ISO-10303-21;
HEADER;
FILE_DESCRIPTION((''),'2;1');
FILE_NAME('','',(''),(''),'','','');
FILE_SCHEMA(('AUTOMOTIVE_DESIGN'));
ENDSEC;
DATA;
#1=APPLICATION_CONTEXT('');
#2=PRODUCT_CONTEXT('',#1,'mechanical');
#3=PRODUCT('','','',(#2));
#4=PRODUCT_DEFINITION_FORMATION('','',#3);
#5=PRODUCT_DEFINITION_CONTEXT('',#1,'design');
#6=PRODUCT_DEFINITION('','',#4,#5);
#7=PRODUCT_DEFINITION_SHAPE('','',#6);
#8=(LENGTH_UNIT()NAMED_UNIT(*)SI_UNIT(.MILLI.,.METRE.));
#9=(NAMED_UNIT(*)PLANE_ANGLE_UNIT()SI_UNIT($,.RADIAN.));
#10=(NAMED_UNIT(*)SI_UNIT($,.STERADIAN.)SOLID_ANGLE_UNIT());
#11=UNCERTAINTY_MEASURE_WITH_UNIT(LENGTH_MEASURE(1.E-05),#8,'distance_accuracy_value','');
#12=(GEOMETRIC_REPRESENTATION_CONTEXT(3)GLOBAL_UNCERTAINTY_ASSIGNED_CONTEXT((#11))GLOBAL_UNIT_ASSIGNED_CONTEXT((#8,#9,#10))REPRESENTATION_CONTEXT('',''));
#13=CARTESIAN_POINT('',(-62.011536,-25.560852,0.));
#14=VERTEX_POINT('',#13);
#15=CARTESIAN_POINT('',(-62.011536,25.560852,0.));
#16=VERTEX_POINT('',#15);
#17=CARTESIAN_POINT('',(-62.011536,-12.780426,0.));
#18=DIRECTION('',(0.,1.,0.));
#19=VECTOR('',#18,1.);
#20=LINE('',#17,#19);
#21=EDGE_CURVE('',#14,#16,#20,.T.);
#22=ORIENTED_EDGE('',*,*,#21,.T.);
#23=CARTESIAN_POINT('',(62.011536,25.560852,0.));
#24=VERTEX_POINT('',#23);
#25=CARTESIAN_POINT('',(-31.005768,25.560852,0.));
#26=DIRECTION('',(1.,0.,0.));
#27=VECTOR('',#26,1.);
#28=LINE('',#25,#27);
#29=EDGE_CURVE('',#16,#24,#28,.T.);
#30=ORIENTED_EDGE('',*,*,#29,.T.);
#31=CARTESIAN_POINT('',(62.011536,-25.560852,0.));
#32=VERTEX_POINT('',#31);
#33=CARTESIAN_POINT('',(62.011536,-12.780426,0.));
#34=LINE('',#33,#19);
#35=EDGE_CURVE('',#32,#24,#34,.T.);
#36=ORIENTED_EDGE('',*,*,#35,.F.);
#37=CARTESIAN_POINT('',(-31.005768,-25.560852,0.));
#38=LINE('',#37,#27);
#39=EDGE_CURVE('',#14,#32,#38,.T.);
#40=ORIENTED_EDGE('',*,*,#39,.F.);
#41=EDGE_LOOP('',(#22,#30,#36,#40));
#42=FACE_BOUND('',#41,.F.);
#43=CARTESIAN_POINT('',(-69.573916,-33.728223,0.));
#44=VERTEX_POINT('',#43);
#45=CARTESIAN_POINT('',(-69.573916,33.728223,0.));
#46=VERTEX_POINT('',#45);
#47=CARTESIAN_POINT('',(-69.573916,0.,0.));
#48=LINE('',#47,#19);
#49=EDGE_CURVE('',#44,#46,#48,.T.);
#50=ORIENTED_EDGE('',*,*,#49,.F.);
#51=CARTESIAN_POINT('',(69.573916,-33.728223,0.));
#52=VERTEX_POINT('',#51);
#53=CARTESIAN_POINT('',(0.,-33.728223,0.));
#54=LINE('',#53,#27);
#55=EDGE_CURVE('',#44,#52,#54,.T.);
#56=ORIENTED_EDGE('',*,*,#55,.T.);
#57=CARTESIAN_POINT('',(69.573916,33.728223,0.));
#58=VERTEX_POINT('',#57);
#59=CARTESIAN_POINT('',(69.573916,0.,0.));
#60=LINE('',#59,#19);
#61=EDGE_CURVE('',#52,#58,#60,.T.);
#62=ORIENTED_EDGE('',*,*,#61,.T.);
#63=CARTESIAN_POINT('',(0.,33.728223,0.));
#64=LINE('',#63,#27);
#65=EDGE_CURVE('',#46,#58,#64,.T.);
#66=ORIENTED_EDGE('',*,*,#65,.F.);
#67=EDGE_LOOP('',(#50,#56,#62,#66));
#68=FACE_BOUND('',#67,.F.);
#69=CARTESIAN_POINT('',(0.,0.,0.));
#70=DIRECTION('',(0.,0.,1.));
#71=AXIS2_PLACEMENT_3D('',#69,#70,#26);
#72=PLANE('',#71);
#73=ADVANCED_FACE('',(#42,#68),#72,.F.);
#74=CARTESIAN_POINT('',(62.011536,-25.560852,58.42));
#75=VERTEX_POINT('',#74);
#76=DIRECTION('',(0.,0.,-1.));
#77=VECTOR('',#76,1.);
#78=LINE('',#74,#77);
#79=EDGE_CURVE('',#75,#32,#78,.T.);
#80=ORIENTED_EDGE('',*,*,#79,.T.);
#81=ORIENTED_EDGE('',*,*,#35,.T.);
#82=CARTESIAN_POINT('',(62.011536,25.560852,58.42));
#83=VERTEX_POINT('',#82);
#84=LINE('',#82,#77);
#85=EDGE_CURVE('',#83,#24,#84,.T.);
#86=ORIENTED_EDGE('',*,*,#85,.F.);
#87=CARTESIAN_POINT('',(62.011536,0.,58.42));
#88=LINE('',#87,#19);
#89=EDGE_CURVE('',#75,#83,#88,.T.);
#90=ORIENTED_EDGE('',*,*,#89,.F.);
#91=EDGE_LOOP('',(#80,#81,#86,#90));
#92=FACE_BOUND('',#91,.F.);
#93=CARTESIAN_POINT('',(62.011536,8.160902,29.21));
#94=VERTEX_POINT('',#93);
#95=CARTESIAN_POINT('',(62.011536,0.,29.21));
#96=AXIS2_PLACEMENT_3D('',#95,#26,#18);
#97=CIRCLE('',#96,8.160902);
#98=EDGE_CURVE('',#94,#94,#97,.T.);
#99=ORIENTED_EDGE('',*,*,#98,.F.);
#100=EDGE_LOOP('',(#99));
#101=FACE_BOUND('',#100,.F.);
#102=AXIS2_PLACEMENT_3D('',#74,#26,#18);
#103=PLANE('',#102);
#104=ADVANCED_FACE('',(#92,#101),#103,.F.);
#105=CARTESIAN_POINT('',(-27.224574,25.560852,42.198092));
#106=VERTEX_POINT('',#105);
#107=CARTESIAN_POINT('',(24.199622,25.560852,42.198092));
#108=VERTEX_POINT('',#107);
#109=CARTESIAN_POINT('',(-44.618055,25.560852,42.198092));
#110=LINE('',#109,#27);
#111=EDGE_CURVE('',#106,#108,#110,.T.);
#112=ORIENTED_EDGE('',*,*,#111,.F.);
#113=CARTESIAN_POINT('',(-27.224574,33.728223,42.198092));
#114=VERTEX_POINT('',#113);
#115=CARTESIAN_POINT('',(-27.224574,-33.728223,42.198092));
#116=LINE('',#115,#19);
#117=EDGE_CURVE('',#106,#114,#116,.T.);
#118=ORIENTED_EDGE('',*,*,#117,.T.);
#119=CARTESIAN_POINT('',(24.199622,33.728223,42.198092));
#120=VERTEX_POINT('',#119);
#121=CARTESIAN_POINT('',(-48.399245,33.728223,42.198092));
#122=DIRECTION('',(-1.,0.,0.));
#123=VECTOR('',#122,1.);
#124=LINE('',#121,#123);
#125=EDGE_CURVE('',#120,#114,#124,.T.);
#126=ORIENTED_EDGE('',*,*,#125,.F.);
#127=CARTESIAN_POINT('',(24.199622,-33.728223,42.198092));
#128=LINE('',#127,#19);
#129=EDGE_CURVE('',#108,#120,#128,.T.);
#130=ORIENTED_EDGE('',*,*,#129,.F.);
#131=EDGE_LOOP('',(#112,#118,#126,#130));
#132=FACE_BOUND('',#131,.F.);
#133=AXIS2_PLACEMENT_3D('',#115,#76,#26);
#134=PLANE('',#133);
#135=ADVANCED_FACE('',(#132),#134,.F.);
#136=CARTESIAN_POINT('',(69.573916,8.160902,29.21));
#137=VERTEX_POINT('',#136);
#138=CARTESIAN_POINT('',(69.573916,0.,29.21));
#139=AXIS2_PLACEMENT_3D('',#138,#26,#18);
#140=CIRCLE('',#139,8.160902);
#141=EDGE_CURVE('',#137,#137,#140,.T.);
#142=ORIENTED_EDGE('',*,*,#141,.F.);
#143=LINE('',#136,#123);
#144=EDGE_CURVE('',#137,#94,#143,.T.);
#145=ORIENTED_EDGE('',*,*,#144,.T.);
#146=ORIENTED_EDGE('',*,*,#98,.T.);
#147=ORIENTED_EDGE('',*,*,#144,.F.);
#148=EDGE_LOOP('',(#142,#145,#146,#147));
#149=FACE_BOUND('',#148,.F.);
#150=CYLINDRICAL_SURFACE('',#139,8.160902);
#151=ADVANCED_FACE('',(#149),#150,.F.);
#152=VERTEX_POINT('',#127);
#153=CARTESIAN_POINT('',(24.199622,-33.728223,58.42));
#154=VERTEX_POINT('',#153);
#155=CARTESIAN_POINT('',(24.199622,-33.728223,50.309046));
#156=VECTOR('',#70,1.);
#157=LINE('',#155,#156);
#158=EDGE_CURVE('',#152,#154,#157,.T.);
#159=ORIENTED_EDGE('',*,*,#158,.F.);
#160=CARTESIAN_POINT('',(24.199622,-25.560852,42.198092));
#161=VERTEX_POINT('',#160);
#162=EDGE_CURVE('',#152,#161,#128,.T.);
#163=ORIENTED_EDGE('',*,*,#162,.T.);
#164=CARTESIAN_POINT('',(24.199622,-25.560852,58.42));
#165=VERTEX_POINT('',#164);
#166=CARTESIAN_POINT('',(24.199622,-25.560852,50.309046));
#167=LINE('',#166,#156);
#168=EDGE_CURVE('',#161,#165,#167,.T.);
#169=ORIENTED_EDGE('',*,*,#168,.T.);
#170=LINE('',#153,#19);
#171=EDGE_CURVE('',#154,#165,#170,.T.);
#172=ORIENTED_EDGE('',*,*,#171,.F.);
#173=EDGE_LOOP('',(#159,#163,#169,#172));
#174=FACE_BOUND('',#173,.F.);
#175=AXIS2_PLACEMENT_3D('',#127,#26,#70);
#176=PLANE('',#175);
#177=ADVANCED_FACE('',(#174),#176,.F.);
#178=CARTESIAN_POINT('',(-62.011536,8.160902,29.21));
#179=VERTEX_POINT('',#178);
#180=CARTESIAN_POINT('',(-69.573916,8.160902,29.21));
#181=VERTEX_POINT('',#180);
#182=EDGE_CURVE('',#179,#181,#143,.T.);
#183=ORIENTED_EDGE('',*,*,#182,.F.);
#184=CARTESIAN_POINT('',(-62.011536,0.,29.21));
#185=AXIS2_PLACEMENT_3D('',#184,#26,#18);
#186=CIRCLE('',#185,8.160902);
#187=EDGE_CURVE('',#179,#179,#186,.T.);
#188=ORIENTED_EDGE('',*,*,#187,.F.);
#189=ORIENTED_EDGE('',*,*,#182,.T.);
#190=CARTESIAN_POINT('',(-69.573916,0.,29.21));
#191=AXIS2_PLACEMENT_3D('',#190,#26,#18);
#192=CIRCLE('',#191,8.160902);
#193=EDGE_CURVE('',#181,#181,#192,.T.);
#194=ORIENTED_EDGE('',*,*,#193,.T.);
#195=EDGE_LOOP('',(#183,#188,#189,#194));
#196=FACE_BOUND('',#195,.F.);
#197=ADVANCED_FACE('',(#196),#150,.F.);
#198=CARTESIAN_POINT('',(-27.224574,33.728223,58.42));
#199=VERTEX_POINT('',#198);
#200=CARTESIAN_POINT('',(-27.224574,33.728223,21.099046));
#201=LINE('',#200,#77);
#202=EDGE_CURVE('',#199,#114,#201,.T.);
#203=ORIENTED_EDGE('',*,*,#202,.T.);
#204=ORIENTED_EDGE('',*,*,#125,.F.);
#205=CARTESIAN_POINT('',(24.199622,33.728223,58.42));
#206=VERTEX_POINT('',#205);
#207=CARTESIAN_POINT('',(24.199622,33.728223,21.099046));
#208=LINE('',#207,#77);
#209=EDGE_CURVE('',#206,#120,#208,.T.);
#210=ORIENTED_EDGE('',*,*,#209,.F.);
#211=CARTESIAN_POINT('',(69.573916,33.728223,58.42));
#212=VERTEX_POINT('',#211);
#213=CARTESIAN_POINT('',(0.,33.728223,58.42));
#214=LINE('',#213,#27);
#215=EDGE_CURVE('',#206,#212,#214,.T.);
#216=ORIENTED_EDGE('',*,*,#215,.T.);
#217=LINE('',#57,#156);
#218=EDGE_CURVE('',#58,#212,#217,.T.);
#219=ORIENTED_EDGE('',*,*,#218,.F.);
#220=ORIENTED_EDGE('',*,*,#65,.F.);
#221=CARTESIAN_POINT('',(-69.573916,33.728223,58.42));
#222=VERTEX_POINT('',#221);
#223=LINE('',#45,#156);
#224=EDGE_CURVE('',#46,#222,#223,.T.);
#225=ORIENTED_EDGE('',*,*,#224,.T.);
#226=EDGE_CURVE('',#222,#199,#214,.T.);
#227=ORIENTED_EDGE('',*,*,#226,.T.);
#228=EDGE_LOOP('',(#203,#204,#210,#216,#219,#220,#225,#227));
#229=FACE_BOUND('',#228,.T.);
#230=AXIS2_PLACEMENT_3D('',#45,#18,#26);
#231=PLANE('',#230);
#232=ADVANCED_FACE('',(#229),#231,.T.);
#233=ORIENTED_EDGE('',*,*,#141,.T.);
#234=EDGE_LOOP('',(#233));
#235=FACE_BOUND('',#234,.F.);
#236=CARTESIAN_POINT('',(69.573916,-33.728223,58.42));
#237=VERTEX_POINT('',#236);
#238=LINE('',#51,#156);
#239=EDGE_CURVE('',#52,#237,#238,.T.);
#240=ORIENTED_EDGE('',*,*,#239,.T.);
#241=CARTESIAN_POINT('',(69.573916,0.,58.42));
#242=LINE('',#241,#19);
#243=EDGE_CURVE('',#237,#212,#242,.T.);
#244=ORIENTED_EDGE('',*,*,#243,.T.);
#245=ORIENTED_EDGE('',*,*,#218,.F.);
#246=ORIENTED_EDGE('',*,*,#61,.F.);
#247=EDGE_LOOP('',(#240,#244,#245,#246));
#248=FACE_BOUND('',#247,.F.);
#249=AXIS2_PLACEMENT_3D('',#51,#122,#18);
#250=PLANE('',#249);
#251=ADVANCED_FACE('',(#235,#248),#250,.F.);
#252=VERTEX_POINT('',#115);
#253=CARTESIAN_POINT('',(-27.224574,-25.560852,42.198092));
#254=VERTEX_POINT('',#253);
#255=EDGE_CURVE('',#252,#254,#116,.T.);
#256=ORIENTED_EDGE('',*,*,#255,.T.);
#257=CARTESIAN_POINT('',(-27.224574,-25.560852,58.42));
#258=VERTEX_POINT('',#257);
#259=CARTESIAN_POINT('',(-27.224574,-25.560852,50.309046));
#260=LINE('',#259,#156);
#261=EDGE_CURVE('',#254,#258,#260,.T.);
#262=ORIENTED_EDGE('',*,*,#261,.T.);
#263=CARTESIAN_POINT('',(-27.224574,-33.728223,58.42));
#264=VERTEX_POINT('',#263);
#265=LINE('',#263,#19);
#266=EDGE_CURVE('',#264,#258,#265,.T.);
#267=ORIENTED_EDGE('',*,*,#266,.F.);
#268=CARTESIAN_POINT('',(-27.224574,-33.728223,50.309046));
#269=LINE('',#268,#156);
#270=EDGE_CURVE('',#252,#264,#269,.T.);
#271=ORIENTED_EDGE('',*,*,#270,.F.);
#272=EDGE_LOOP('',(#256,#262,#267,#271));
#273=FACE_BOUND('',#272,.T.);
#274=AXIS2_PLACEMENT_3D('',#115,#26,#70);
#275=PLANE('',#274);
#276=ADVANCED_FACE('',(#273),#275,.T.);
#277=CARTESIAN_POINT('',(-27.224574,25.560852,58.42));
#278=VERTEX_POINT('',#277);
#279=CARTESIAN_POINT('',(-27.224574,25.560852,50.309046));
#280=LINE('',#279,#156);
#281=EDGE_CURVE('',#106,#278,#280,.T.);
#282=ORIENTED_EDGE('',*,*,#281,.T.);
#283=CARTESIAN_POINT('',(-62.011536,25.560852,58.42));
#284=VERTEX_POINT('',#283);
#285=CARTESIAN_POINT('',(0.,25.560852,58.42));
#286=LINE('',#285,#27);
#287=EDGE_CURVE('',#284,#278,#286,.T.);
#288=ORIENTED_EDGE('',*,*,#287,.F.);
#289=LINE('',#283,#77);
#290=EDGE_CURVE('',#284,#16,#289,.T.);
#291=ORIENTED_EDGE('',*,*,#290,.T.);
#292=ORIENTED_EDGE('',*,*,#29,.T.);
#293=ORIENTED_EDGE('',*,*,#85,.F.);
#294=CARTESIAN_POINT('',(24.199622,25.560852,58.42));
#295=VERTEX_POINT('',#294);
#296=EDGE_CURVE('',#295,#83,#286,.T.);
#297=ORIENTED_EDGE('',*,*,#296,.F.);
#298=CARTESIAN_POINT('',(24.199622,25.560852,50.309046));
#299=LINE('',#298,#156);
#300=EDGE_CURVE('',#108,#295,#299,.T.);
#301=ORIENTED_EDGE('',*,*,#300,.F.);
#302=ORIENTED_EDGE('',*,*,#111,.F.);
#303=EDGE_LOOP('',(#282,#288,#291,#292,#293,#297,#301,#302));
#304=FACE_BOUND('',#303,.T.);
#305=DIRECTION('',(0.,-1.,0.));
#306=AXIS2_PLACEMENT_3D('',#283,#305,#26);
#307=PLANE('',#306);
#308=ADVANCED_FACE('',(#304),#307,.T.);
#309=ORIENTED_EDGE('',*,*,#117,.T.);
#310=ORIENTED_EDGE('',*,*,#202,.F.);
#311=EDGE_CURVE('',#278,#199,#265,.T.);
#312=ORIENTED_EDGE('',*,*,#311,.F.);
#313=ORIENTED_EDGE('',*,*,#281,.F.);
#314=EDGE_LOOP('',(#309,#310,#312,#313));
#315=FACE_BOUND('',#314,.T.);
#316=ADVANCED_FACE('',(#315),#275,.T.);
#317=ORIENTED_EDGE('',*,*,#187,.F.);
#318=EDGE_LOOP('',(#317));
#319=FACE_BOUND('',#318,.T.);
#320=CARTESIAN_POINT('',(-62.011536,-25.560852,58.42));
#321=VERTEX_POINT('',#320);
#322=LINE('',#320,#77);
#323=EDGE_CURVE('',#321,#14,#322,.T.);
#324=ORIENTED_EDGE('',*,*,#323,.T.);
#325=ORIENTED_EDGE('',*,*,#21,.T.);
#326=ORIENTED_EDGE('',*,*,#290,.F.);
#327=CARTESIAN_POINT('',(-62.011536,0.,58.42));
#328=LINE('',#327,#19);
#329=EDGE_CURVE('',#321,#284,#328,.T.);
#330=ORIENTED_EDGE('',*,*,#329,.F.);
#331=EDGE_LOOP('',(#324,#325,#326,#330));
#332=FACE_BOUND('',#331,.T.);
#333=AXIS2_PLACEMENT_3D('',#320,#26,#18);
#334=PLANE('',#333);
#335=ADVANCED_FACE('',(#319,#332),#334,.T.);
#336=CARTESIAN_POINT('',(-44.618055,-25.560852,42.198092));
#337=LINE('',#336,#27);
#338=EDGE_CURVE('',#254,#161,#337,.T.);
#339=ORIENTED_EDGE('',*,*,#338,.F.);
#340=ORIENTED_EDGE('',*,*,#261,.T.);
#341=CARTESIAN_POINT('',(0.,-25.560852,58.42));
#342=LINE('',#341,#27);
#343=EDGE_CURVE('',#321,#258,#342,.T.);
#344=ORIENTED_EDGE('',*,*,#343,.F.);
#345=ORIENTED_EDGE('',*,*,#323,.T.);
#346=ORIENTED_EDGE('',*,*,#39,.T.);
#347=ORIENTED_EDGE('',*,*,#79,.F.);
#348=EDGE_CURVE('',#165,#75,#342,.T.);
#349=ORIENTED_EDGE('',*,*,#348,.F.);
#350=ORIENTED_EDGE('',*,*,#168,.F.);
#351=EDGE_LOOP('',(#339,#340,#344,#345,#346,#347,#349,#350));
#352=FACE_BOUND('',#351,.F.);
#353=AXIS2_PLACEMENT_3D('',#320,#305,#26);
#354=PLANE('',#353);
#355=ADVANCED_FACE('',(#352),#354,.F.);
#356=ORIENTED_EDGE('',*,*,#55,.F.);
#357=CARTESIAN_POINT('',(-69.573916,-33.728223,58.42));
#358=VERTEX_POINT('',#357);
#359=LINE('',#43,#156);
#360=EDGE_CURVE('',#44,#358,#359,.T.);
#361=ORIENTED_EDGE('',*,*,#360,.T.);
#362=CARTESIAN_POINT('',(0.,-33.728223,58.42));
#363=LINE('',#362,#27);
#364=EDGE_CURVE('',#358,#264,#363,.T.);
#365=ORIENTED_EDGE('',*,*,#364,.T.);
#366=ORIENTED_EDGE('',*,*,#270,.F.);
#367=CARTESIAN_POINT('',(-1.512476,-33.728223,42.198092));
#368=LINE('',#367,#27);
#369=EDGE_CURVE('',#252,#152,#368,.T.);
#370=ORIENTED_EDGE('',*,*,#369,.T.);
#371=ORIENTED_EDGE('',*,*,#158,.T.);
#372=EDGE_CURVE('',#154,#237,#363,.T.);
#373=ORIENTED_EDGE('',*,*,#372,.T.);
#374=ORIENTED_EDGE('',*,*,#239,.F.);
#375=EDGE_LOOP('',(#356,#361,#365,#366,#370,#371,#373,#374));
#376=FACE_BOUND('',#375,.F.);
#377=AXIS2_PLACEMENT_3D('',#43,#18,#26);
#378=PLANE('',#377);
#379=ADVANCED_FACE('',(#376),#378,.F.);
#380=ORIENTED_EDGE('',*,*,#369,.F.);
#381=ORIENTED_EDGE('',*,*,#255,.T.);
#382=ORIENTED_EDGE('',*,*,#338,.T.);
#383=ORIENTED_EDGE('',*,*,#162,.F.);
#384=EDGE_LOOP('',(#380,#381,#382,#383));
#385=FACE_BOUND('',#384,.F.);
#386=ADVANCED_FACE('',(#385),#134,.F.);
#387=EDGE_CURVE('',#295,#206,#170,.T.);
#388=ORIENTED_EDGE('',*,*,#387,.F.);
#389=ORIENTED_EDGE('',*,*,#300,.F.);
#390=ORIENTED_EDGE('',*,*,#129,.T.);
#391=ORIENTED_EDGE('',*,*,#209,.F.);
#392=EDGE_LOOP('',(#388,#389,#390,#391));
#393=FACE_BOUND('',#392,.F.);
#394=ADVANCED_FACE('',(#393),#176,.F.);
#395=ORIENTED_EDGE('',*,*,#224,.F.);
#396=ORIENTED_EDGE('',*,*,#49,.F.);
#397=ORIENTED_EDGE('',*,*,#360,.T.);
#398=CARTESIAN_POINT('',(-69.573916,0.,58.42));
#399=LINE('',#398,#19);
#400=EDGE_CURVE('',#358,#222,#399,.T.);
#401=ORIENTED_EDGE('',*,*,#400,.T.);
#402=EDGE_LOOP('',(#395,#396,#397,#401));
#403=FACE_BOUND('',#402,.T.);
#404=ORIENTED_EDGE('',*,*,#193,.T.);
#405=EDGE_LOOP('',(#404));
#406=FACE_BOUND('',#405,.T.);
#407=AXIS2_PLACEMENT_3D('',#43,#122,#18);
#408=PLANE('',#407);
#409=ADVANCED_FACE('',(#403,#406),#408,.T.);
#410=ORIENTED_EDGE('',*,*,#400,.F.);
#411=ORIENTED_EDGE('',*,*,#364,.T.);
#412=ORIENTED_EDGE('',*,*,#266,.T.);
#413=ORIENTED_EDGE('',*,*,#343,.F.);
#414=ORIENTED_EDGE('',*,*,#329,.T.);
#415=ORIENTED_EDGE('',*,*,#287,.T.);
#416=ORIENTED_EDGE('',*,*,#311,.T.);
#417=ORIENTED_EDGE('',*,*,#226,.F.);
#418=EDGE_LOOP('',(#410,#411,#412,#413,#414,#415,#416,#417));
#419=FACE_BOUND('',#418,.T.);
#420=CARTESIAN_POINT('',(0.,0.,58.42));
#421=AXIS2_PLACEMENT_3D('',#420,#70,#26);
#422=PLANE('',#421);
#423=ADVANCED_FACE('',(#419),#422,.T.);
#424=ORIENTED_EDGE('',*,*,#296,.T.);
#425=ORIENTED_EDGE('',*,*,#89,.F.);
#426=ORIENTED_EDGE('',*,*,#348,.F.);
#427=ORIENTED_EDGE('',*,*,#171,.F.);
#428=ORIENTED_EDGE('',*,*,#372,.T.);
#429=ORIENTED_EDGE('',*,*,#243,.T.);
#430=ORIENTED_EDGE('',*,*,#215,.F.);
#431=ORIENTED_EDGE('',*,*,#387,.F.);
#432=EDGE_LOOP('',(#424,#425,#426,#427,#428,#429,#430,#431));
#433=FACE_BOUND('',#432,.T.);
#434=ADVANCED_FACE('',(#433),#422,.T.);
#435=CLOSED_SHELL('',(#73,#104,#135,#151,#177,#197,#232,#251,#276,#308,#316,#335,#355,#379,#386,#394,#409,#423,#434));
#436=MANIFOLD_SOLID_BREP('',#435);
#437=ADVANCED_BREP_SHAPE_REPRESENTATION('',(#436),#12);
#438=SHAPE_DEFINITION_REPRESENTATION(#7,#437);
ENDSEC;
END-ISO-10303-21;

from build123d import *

# Parameters (mm, degrees)
F0_W     = 139.147832
F0_H     = 67.456446
F1_DEPTH = 58.42
F2_R     = 8.160902
F3_DEPTH = 139.148833
F4_W     = 124.023072
F4_H     = 51.121704
F5_DEPTH = 58.421
F6_W     = 51.424196
F6_H     = 16.221908
F7_DEPTH = 67.457447


with BuildPart() as f1:
    # F0 (on Top) → F1 (new body)
    with BuildSketch(Plane.XY):
        Rectangle(F0_W, F0_H)
    extrude(amount=F1_DEPTH)

    # F2 (on face) → F3 (cut, through all)
    with BuildSketch(Plane.YZ.offset(69.573916)):
        with Locations((0, 29.21)):
            Circle(F2_R)
    extrude(amount=-F3_DEPTH, mode=Mode.SUBTRACT)

    # F4 (on face) → F5 (cut, through all)
    with BuildSketch(Plane.XY.offset(58.42)):
        Rectangle(F4_W, F4_H)
    extrude(amount=-F5_DEPTH, mode=Mode.SUBTRACT)

    # F6 (on face) → F7 (cut, through all)
    with BuildSketch(Plane.XZ.offset(33.728223)):
        with Locations((-1.512476, 50.309046)):
            Rectangle(F6_W, F6_H)
    extrude(amount=-F7_DEPTH, mode=Mode.SUBTRACT)


solid = f1.part
